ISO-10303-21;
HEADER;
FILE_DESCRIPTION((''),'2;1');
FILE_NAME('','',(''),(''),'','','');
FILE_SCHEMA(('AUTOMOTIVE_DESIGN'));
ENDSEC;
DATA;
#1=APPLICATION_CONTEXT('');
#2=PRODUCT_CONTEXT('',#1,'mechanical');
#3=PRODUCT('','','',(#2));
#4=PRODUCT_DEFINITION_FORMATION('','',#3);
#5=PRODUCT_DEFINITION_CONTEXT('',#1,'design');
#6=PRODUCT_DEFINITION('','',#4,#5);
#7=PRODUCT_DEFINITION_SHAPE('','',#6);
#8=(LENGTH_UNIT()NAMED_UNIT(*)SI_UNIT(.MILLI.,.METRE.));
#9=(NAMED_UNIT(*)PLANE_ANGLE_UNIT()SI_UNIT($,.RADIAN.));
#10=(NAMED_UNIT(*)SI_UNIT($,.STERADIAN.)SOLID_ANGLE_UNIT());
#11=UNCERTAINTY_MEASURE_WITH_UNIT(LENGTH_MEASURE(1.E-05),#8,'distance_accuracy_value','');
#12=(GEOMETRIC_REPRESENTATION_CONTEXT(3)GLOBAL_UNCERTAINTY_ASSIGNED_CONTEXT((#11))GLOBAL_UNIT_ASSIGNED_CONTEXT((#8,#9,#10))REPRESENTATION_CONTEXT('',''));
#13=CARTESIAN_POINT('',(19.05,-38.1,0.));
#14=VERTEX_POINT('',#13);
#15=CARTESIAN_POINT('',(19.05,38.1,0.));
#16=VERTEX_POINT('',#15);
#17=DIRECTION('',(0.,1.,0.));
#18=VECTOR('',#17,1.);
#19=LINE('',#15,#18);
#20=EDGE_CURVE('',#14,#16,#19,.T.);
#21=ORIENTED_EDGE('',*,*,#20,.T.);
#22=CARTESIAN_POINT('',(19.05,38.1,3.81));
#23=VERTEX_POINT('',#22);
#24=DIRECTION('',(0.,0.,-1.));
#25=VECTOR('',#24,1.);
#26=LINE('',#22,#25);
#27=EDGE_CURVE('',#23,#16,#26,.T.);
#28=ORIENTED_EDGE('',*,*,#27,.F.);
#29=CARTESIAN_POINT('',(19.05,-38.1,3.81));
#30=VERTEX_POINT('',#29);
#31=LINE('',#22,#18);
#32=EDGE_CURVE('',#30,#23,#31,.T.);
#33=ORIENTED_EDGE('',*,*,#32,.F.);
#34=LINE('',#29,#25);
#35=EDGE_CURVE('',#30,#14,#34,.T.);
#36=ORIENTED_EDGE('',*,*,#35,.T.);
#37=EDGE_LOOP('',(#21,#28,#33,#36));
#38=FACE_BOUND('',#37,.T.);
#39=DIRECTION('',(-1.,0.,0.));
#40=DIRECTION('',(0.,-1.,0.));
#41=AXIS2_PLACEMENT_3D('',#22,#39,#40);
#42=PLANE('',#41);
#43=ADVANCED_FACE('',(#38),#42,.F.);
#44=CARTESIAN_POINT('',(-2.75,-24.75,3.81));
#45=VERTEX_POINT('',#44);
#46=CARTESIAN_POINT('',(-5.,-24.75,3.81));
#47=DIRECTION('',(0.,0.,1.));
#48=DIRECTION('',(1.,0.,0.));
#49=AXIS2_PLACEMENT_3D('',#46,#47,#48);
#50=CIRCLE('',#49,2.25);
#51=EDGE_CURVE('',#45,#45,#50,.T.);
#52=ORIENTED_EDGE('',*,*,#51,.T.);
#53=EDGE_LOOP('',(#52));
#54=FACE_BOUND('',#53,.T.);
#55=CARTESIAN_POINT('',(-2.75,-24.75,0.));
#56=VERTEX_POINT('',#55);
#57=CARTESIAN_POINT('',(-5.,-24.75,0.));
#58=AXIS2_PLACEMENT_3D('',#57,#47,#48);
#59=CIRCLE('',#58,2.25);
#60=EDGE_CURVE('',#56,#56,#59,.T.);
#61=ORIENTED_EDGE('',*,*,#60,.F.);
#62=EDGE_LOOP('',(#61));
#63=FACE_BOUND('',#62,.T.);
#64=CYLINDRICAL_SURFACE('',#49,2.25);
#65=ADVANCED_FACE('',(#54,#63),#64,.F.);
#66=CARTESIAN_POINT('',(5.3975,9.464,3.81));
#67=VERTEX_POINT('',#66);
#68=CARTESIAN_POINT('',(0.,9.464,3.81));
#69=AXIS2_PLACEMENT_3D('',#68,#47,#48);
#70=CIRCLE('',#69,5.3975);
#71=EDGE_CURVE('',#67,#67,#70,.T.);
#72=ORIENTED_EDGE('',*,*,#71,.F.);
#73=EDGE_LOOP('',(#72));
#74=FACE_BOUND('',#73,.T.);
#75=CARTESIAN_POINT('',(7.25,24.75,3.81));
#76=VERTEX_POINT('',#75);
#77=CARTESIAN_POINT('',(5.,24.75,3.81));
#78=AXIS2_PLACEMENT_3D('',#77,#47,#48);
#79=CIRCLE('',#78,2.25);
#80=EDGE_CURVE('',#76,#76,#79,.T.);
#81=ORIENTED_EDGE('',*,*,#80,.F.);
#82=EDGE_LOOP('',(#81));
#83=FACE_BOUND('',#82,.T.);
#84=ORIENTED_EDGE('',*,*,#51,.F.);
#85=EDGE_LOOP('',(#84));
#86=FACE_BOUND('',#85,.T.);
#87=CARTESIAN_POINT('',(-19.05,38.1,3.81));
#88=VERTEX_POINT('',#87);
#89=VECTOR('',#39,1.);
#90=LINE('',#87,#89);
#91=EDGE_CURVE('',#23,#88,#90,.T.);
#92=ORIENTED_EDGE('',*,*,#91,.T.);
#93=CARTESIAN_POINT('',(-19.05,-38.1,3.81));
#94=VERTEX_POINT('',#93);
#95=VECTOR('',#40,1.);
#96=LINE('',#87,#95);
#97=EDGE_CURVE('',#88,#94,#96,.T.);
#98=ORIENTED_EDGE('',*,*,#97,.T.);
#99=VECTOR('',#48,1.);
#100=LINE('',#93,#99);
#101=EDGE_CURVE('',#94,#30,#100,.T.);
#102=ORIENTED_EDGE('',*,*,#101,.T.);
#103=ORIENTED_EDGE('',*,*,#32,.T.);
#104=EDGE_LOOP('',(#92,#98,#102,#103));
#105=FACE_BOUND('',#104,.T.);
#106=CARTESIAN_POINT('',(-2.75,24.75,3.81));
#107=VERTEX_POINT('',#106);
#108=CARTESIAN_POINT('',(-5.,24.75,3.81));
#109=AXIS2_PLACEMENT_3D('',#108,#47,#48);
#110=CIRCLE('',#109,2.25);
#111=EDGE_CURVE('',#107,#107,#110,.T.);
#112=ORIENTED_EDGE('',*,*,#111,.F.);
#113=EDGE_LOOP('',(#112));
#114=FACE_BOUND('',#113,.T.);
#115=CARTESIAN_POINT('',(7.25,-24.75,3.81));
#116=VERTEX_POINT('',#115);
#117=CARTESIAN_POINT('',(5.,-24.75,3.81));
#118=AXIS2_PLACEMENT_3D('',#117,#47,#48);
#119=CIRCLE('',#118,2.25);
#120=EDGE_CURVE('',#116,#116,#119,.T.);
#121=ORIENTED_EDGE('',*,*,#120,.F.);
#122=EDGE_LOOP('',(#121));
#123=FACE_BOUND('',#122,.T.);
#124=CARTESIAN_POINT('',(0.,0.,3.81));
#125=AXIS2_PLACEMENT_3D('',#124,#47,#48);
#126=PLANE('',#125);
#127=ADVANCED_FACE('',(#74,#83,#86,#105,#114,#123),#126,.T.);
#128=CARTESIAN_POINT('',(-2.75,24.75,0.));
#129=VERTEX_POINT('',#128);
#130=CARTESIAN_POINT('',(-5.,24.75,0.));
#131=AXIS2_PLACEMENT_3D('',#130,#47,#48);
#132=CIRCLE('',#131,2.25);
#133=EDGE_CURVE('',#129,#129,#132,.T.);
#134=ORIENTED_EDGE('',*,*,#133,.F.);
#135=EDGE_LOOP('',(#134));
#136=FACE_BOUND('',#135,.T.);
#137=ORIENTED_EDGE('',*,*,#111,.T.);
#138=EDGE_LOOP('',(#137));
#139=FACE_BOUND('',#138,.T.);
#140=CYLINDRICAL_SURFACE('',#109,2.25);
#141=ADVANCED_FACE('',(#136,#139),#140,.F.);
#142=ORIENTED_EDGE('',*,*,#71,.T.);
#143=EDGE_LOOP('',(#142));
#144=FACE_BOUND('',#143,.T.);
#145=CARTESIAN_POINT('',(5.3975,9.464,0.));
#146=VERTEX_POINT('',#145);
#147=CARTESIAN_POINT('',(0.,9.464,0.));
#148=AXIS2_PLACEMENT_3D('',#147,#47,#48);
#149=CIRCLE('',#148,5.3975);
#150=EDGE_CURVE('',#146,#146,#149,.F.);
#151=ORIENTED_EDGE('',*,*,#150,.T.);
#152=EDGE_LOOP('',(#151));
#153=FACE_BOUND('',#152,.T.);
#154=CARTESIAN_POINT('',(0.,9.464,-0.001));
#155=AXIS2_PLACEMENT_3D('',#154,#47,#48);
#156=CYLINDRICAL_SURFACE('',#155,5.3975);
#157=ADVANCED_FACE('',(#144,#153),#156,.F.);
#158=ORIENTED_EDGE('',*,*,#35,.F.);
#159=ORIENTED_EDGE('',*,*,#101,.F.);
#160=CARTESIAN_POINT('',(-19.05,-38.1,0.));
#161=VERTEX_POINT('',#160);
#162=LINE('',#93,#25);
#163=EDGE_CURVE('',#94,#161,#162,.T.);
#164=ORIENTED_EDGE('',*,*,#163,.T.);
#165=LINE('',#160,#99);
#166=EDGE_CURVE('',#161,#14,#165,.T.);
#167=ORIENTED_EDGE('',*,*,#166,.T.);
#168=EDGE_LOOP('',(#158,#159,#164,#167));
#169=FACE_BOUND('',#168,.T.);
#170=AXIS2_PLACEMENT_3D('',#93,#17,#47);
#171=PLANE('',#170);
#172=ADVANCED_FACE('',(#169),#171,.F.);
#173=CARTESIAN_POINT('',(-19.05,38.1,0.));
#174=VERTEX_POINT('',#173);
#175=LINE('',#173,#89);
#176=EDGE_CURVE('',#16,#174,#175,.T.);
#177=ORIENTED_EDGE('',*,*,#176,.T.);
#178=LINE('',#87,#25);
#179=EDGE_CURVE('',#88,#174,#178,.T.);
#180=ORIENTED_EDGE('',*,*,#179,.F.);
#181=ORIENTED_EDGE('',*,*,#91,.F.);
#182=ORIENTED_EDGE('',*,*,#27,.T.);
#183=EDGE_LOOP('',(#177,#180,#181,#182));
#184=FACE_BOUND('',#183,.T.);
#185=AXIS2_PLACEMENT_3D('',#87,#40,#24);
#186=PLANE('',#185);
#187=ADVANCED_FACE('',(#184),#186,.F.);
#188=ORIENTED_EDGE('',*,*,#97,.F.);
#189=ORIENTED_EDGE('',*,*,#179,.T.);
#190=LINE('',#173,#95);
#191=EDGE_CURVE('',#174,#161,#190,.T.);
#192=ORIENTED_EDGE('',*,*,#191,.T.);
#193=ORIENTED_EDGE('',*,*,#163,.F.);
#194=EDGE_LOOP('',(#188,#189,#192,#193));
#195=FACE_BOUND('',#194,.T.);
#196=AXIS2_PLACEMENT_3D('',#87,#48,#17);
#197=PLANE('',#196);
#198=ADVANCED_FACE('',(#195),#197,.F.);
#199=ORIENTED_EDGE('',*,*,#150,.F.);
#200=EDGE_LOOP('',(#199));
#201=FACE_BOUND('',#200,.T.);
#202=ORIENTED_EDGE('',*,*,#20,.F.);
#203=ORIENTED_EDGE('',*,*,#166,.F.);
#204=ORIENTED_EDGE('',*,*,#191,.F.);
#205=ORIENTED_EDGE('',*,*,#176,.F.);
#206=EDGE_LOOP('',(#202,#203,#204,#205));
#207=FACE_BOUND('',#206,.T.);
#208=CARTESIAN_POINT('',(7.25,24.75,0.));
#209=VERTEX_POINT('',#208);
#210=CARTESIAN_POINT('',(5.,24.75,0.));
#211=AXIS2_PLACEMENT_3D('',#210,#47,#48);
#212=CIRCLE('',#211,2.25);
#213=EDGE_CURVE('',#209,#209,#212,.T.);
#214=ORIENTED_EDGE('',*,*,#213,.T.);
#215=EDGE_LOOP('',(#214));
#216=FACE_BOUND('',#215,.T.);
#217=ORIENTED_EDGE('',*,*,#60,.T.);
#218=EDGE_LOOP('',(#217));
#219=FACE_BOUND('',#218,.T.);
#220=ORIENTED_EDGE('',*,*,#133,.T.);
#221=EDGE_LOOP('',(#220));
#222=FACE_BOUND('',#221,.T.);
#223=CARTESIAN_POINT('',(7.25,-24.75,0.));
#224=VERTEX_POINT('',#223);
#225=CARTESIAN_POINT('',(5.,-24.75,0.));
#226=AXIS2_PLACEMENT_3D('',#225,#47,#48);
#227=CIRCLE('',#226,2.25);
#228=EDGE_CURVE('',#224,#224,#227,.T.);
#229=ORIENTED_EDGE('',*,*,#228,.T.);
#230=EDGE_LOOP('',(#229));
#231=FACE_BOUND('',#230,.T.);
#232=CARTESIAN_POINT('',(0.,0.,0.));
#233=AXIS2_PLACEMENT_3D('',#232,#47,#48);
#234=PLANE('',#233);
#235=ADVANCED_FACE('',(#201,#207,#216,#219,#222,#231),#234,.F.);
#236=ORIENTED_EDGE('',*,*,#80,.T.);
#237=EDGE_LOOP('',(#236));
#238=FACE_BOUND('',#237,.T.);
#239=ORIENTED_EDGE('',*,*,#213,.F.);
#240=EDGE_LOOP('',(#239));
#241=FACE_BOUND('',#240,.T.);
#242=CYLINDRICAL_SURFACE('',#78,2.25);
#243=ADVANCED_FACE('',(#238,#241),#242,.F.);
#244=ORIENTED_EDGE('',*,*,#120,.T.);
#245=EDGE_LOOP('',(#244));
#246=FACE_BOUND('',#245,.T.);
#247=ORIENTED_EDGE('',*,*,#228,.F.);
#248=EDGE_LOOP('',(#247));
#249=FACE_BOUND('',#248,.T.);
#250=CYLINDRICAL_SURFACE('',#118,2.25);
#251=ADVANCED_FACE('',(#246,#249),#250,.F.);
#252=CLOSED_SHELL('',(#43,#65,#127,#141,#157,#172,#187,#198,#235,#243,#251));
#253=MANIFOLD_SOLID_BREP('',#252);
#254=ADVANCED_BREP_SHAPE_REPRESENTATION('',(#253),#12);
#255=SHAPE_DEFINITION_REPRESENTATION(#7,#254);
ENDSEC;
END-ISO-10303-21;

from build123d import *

# Parameters (mm, degrees)
SKETCH1_W            = 38.1
SKETCH1_H            = 76.2
BOSS_EXTRUDE1_DEPTH  = 3.81
M4_CLEARANCE_HOLE1_D = 4.5
CUT_EXTRUDE1_REACH   = 44.767
SKETCH5_R            = 5.3975


with BuildPart() as part:
    # Sketch1 → Boss-Extrude1 (new body)
    with BuildSketch(Plane.XY):
        Rectangle(SKETCH1_W, SKETCH1_H)
    extrude(amount=BOSS_EXTRUDE1_DEPTH)

    # M4 Clearance Hole1 (through all)
    with Locations(Plane.XY.offset(3.81)):
        with Locations((-5, 24.75), (5, 24.75), (-5, -24.75), (5, -24.75)):
            Hole(M4_CLEARANCE_HOLE1_D / 2)

    # Sketch5 → Cut-Extrude1 (cut, up to next)
    with BuildSketch(Plane.XY.offset(3.81), mode=Mode.PRIVATE) as cut_extrude1_sk1:
        with Locations((0, 9.464)):
            Circle(SKETCH5_R)
    cut_extrude1_tool1 = extrude(cut_extrude1_sk1.sketch, amount=-CUT_EXTRUDE1_REACH, mode=Mode.PRIVATE) & part.part
    add(cut_extrude1_tool1.solids().sort_by_distance((0, 9.464, 3.81))[0], mode=Mode.SUBTRACT)


solid = part.part
